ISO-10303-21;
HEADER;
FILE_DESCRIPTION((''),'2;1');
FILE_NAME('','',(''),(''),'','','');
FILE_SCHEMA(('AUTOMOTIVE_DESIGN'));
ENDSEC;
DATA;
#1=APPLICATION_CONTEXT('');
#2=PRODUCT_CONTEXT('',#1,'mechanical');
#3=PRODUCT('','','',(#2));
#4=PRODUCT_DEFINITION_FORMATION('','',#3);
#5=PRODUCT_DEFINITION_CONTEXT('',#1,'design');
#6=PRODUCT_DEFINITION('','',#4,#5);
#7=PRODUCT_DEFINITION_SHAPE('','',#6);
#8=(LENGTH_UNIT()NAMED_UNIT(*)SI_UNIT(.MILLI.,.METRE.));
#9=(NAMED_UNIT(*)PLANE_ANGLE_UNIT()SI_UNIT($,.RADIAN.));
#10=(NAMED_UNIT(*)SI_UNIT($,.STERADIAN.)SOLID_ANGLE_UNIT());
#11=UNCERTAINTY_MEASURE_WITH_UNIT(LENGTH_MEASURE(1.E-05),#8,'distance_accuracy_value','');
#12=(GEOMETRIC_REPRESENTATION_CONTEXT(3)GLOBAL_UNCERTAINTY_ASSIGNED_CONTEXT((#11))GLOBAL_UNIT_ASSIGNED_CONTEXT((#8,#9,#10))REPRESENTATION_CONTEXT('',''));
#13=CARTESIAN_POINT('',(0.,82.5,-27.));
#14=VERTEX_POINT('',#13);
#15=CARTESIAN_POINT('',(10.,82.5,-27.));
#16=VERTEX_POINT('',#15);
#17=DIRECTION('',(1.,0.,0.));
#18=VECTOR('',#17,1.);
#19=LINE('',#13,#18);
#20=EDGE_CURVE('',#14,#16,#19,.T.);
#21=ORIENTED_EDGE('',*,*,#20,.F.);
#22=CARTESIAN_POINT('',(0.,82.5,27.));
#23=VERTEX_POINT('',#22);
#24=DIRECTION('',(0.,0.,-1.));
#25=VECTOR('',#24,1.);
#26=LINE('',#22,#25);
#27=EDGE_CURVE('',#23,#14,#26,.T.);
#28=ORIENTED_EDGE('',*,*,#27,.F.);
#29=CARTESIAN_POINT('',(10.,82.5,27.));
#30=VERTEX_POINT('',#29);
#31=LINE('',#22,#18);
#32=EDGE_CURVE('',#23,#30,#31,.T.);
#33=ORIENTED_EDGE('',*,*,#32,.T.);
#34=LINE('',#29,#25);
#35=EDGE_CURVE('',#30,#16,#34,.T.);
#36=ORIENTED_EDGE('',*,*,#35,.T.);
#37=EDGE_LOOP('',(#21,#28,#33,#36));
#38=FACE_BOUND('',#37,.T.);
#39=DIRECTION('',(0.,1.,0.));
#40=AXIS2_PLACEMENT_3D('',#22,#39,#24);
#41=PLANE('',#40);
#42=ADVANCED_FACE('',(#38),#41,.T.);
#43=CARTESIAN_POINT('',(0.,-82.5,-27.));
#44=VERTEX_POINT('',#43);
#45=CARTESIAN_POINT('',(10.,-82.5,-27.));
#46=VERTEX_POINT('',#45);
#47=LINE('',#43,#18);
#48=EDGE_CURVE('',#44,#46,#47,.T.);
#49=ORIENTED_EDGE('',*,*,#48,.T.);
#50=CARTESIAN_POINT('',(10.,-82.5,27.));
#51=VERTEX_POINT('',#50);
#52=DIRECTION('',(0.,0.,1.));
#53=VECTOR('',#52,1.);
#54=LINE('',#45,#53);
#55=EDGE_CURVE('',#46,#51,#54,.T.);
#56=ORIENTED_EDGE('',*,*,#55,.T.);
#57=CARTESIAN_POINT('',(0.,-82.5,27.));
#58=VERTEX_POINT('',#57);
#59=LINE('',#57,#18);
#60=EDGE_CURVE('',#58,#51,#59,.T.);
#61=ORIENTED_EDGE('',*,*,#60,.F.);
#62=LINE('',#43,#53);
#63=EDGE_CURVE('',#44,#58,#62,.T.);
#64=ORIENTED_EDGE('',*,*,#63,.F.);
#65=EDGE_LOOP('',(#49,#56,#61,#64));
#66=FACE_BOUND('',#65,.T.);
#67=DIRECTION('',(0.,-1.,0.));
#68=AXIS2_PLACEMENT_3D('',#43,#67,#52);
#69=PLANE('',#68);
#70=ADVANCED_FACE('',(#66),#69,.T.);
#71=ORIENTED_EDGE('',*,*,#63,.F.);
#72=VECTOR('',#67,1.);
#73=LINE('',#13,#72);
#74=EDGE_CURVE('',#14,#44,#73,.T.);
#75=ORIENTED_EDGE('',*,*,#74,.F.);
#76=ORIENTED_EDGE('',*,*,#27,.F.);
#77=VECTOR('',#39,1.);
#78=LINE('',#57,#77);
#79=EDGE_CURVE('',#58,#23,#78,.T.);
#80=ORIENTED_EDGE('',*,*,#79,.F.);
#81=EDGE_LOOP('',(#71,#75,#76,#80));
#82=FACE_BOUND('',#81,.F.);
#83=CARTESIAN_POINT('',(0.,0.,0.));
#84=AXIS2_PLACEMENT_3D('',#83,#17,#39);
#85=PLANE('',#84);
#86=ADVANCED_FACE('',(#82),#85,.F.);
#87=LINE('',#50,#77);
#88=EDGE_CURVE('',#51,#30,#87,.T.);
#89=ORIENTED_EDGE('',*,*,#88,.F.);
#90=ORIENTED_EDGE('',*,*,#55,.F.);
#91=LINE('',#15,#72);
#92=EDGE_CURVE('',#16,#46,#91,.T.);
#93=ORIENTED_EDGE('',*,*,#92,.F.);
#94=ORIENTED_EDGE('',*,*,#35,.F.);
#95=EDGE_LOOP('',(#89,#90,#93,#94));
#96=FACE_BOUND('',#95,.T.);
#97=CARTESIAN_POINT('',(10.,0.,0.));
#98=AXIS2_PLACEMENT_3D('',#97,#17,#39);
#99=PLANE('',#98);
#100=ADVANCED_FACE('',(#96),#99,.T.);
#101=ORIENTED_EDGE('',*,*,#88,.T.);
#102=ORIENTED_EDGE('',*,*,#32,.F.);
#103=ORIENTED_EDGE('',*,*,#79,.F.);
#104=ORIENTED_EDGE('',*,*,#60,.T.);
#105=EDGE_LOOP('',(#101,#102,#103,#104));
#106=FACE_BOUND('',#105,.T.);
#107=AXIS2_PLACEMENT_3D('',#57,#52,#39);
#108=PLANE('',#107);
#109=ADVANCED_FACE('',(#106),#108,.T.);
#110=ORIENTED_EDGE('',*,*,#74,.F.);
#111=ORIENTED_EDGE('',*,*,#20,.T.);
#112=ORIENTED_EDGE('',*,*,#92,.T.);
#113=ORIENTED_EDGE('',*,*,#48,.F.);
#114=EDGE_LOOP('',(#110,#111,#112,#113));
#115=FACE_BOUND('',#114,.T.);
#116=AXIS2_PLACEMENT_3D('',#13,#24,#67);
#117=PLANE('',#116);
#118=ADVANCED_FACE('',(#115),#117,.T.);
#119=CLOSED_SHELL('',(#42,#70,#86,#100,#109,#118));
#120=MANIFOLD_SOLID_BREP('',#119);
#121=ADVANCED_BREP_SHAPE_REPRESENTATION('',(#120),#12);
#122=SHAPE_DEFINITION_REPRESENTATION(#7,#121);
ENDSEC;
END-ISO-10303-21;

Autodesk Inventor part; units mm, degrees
ref_plane "YZ Plane" through (0, 0, 0) normal (1, 0, 0) x (0, 1, 0)
ref_plane "XZ Plane" through (0, 0, 0) normal (0, 1, 0) x (-1, 0, 0)
ref_plane "XY Plane" through (0, 0, 0) normal (0, 0, 1) x (1, 0, 0)
sketch "Sketch1" plane through (0, 0, 0) normal (1, 0, 0) x (0, 1, 0)
  line L0 (-82.5, 27) -> (82.5, 27)
  line L1 (82.5, 27) -> (82.5, -27)
  line L2 (82.5, -27) -> (-82.5, -27)
  line L3 (-82.5, -27) -> (-82.5, 27)
  line L4 (-82.5, 27) -> (82.5, -27) construction
  line L5 (82.5, 27) -> (-82.5, -27) construction
  point P0 (0, 0)
  dimension "d0" = 165
  dimension "d1" = 54
extrude "Extrusion1" add sketch "Sketch1" along normal blind 10
sketch "Sketch3" plane through (0, -82.5, -27) normal (0, 0, -1) x (-1, 0, 0)
  line L0 (0, 82.5) -> (-10, 82.5)
  line L1 (-10, 0) -> (-10, 165) projected
properties part number "breadboarde" material "PVC-Piping"
